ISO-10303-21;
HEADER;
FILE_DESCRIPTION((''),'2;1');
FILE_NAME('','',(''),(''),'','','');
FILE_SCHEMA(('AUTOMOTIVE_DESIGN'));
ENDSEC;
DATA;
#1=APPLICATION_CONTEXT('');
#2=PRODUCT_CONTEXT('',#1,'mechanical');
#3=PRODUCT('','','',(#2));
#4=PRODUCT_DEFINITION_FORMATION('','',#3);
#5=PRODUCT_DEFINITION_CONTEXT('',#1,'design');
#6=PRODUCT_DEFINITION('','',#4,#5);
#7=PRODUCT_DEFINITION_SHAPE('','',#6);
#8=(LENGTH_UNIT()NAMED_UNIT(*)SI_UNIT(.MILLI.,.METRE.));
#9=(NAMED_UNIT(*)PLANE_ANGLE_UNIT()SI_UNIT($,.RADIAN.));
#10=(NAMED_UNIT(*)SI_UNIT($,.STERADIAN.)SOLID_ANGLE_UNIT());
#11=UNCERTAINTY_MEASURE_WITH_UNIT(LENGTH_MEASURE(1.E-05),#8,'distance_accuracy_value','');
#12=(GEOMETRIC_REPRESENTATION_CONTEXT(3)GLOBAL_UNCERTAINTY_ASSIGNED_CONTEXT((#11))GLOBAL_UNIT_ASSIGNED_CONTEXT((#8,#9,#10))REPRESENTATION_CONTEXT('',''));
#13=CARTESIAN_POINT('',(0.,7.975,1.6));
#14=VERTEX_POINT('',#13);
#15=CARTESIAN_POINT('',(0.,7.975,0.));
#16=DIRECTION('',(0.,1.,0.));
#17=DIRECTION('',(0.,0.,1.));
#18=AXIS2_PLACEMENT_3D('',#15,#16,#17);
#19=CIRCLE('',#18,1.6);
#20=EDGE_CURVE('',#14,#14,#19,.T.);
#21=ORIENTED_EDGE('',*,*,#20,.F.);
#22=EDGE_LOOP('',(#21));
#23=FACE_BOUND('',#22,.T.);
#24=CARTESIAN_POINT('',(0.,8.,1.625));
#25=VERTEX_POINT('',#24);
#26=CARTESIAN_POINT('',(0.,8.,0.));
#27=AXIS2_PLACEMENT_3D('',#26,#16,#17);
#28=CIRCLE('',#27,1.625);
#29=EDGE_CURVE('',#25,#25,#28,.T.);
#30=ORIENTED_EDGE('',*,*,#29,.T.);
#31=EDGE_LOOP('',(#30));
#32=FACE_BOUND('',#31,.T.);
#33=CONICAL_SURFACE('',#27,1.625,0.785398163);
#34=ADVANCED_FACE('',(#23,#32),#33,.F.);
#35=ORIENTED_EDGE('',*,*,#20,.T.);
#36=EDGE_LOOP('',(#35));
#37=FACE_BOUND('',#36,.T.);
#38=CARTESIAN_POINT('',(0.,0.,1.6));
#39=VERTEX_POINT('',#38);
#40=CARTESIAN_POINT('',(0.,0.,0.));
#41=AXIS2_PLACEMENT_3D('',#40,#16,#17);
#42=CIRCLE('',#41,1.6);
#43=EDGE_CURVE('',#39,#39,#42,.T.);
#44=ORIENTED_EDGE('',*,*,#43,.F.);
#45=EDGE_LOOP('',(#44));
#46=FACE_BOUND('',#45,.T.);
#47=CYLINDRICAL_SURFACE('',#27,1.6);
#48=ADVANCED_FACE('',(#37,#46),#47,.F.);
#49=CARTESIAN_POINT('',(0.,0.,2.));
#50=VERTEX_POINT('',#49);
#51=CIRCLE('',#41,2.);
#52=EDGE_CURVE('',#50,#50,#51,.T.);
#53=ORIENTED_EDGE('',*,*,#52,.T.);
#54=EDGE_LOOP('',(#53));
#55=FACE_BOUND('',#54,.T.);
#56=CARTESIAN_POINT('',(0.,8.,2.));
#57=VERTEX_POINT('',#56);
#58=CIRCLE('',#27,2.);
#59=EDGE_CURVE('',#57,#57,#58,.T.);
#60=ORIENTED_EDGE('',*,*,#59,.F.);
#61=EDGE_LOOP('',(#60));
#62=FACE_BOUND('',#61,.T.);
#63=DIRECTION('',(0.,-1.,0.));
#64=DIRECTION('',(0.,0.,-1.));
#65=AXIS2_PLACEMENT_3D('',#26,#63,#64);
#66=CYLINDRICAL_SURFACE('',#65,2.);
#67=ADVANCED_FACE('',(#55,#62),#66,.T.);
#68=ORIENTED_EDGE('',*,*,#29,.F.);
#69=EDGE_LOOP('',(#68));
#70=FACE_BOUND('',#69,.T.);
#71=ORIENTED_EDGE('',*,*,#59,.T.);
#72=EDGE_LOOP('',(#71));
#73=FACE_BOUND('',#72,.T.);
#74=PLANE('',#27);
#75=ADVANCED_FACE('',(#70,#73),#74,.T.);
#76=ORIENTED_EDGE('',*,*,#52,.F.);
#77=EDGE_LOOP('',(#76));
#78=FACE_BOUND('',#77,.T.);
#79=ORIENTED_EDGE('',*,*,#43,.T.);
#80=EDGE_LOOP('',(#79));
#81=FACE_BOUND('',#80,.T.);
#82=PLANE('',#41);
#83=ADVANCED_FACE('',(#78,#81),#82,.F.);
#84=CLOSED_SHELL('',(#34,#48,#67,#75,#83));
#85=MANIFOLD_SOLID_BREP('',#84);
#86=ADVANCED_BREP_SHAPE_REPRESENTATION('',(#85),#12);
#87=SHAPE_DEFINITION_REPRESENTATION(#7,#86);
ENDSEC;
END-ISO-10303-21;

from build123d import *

# Parameters (mm, degrees)
ESQUISSE1_R                = 2
BOSS_EXTRU_1_DEPTH         = 8
D_GAGEMENT_M32_D           = 3.2
D_GAGEMENT_M32_DEPTH       = 8
D_GAGEMENT_M32_CSINK_D     = 3.25
D_GAGEMENT_M32_CSINK_ANGLE = 90


with BuildPart() as part:
    # Esquisse1 → Boss.-Extru.1 (new body)
    with BuildSketch(Plane(origin=(0, 0, 0), x_dir=(1, 0, 0), z_dir=(0, 1, 0))):
        Circle(ESQUISSE1_R)
    extrude(amount=BOSS_EXTRU_1_DEPTH)

    # Dégagement M32
    with Locations(Plane(origin=(0, 8, 0), x_dir=(1, 0, 0), z_dir=(0, 1, 0))):
        with Locations((0, 0)):
            CounterSinkHole(D_GAGEMENT_M32_D / 2, D_GAGEMENT_M32_CSINK_D / 2, depth=D_GAGEMENT_M32_DEPTH, counter_sink_angle=D_GAGEMENT_M32_CSINK_ANGLE)


solid = part.part
